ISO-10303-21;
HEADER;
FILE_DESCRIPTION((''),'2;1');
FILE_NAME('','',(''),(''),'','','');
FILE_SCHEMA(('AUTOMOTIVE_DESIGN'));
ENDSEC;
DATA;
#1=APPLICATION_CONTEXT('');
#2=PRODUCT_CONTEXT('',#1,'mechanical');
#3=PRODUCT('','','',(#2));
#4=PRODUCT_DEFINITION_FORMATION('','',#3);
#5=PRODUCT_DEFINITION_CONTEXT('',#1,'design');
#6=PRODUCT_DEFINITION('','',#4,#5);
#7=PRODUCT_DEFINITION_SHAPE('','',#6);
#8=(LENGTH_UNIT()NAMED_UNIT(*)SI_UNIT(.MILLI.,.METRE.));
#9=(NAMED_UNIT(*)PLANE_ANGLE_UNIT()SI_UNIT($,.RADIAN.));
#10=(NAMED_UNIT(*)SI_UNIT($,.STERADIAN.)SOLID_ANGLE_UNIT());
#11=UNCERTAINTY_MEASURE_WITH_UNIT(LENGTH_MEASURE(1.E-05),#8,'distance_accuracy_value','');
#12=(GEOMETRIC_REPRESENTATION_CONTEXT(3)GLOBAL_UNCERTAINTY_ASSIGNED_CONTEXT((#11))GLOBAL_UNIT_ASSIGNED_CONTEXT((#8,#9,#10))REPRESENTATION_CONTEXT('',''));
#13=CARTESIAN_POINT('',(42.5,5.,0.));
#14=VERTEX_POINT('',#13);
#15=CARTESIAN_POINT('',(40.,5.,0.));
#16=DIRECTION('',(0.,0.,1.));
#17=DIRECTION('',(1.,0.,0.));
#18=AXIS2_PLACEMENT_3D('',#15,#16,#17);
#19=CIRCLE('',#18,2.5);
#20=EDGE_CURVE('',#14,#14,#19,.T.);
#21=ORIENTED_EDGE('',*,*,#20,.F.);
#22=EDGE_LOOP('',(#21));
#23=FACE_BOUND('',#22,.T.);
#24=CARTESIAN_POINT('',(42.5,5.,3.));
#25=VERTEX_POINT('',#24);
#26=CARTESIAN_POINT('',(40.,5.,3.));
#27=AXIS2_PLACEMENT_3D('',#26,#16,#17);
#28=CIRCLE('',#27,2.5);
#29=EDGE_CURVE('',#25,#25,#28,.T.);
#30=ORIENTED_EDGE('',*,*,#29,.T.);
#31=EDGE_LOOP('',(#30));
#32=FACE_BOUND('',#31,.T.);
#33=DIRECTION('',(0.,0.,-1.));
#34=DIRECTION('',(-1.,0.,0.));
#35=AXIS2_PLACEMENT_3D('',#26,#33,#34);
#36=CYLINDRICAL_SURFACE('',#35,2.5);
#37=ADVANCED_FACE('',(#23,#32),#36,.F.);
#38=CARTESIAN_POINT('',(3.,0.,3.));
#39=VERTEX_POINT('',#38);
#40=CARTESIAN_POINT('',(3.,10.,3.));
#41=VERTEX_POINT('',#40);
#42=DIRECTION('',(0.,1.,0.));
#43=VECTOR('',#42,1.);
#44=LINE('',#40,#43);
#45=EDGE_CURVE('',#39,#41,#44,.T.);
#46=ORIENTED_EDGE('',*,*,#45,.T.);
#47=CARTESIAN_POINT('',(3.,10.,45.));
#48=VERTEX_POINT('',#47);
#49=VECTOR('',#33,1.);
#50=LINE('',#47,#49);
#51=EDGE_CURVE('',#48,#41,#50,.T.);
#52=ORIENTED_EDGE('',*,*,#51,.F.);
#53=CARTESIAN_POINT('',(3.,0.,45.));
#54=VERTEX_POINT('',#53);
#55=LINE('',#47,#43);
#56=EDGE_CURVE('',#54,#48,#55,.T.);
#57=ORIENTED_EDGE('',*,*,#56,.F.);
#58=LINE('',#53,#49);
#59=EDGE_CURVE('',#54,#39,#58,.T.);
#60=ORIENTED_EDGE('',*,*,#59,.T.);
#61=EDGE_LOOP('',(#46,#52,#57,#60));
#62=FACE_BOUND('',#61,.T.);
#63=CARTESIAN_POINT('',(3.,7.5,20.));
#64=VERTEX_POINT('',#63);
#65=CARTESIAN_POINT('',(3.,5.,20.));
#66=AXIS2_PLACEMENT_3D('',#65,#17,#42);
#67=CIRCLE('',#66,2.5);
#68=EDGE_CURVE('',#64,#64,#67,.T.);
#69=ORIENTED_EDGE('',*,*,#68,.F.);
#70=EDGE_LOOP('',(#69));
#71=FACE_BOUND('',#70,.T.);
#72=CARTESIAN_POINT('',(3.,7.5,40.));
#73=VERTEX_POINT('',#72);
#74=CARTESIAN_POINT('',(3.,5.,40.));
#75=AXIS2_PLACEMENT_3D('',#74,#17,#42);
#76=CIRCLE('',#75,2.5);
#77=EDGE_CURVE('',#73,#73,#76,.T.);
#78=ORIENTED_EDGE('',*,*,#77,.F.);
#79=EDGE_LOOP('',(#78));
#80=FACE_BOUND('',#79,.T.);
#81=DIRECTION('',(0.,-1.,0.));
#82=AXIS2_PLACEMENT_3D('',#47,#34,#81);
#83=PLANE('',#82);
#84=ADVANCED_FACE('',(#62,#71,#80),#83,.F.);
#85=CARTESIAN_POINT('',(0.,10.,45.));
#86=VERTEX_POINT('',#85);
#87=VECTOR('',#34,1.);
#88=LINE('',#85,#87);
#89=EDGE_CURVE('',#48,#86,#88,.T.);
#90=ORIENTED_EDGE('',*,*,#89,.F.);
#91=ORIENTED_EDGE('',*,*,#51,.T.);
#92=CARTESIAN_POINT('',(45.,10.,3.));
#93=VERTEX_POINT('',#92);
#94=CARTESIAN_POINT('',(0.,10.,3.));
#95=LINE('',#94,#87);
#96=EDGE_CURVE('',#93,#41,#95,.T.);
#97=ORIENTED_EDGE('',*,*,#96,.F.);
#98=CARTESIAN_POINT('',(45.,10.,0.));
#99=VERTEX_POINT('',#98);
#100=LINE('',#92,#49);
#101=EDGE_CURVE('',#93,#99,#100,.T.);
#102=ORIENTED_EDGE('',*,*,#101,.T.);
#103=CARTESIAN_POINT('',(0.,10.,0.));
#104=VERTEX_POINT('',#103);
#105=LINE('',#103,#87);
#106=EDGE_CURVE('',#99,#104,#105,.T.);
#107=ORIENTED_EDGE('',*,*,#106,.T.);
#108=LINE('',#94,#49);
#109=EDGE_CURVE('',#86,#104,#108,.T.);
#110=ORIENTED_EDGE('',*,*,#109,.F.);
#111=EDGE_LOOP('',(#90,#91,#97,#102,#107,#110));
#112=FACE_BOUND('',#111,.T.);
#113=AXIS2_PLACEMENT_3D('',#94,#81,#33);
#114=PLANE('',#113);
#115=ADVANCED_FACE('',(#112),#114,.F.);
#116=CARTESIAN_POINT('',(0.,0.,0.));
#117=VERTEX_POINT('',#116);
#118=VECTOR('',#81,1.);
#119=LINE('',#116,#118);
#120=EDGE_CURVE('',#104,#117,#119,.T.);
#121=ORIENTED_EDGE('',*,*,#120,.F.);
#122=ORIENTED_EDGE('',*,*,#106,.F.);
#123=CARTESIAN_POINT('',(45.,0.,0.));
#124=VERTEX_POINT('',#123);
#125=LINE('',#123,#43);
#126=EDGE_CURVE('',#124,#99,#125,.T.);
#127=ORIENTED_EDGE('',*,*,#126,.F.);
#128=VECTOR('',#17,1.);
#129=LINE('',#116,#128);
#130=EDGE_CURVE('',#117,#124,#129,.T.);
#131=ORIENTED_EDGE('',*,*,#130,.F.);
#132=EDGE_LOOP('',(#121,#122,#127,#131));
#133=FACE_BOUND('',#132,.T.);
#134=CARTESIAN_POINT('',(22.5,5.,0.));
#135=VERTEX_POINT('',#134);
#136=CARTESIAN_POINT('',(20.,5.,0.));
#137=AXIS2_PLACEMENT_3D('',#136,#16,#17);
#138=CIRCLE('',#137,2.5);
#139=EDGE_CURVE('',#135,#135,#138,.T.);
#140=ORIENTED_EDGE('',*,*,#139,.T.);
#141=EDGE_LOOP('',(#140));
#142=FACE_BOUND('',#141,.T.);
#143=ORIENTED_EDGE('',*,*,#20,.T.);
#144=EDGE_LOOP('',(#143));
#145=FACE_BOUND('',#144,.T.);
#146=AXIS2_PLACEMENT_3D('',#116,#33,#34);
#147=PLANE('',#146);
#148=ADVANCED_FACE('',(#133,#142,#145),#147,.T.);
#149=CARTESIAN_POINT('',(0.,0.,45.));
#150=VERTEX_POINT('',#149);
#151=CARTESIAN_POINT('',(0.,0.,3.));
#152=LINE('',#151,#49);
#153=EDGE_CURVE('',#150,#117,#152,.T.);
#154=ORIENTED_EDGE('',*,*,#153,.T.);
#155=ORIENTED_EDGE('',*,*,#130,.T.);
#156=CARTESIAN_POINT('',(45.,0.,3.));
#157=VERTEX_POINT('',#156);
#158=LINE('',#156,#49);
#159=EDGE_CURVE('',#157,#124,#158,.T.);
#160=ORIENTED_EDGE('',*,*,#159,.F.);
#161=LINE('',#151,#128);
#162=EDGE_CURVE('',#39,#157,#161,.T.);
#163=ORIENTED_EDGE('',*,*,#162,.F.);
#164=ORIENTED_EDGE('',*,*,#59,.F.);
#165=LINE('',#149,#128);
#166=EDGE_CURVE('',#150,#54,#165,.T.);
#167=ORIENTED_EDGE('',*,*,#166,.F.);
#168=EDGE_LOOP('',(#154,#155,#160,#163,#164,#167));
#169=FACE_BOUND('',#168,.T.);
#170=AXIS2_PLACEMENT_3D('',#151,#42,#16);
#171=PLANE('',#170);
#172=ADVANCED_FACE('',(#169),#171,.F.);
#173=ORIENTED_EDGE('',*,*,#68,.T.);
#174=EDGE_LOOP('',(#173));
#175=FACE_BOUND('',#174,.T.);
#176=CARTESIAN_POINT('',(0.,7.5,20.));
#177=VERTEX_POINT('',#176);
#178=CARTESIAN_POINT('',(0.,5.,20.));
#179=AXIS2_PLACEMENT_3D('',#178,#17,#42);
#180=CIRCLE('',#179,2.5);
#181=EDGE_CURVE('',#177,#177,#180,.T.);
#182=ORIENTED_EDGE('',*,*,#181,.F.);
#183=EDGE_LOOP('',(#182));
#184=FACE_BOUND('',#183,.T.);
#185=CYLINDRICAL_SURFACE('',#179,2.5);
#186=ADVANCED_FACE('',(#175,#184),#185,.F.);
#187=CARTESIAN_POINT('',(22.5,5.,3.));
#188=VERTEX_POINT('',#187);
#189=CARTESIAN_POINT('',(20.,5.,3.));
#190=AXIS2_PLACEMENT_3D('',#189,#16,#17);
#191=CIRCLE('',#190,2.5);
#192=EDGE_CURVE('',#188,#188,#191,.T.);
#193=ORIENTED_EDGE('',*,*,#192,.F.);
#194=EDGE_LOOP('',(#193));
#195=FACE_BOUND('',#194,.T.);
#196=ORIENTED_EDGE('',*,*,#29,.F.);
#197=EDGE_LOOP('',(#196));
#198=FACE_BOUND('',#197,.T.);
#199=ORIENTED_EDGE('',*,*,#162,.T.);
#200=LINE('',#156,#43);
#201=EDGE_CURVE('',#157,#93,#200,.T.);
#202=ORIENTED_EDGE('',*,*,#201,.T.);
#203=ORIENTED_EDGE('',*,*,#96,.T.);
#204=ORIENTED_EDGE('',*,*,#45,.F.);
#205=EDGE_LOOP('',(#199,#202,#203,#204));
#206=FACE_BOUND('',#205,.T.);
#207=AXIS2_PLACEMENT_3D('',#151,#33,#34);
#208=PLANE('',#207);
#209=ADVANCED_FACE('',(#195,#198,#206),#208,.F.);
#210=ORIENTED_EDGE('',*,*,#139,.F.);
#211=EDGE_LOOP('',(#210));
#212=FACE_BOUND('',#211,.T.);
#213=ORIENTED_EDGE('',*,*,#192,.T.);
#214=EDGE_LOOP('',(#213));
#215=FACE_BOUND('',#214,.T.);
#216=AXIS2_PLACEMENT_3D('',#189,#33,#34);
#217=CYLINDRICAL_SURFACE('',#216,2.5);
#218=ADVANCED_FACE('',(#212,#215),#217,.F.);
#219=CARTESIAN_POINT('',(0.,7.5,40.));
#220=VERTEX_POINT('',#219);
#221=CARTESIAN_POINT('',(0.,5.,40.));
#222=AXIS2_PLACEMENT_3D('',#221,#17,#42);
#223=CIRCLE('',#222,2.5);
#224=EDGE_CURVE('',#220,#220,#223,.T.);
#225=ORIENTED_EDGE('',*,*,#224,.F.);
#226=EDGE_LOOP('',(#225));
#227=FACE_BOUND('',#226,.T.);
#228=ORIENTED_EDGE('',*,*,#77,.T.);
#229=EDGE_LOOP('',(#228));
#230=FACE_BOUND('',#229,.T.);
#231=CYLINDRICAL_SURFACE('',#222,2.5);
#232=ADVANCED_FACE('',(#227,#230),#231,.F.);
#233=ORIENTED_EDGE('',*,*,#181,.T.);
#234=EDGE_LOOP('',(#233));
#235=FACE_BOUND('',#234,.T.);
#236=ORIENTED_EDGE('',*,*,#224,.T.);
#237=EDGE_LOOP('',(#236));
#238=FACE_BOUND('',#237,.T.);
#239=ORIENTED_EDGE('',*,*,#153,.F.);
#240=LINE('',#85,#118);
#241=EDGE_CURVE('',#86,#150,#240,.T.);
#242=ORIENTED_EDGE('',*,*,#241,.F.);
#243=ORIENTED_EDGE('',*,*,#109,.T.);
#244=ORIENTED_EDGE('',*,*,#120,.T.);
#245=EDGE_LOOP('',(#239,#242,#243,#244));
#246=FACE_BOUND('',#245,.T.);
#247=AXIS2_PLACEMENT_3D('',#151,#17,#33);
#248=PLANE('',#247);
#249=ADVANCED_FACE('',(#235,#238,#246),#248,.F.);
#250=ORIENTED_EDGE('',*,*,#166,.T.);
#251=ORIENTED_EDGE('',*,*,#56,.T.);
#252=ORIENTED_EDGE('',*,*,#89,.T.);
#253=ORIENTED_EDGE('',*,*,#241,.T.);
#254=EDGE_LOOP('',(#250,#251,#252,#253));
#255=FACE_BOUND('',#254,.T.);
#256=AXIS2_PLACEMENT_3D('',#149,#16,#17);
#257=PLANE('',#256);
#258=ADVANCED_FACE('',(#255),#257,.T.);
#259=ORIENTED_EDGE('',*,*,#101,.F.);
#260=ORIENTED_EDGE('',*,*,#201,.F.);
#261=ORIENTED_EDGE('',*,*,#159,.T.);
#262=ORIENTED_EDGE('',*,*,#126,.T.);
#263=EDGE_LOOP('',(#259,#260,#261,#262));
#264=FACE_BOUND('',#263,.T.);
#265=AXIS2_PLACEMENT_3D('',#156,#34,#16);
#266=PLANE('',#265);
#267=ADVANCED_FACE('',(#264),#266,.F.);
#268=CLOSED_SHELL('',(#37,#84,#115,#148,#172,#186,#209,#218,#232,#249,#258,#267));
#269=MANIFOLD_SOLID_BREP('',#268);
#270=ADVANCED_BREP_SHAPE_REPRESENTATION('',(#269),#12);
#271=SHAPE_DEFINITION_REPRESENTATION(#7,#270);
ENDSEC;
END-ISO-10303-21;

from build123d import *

# Parameters (mm, degrees)
SKETCH1_W           = 45
SKETCH1_H           = 10
SKETCH1_R           = 2.5
BOSS_EXTRUDE1_DEPTH = 3
SKETCH2_W           = 3
SKETCH2_H           = 10
BOSS_EXTRUDE2_DEPTH = 42
SKETCH3_R           = 2.5
CUT_EXTRUDE1_DEPTH  = 3


with BuildPart() as part:
    # Sketch1 → Boss-Extrude1 (new body)
    with BuildSketch(Plane.XY):
        with Locations((22.5, 5)):
            Rectangle(SKETCH1_W, SKETCH1_H)
        with Locations((20, 5)):
            Circle(SKETCH1_R, mode=Mode.SUBTRACT)
        with Locations((40, 5)):
            Circle(SKETCH1_R, mode=Mode.SUBTRACT)
    extrude(amount=BOSS_EXTRUDE1_DEPTH)

    # Sketch2 → Boss-Extrude2 (add)
    with BuildSketch(Plane.XY.offset(3)):
        with Locations((1.5, 5)):
            Rectangle(SKETCH2_W, SKETCH2_H)
    extrude(amount=BOSS_EXTRUDE2_DEPTH)

    # Sketch3 → Cut-Extrude1 (cut)
    with BuildSketch(Plane(origin=(3, 0, 0), x_dir=(0, 0, -1), z_dir=(1, 0, 0))):
        with Locations(Location((-20, 5, 0), (0, 0, 90))):
            Circle(SKETCH3_R)
        with Locations(Location((-40, 5, 0), (0, 0, 90))):
            Circle(SKETCH3_R)
    extrude(amount=-CUT_EXTRUDE1_DEPTH, mode=Mode.SUBTRACT)


solid = part.part
